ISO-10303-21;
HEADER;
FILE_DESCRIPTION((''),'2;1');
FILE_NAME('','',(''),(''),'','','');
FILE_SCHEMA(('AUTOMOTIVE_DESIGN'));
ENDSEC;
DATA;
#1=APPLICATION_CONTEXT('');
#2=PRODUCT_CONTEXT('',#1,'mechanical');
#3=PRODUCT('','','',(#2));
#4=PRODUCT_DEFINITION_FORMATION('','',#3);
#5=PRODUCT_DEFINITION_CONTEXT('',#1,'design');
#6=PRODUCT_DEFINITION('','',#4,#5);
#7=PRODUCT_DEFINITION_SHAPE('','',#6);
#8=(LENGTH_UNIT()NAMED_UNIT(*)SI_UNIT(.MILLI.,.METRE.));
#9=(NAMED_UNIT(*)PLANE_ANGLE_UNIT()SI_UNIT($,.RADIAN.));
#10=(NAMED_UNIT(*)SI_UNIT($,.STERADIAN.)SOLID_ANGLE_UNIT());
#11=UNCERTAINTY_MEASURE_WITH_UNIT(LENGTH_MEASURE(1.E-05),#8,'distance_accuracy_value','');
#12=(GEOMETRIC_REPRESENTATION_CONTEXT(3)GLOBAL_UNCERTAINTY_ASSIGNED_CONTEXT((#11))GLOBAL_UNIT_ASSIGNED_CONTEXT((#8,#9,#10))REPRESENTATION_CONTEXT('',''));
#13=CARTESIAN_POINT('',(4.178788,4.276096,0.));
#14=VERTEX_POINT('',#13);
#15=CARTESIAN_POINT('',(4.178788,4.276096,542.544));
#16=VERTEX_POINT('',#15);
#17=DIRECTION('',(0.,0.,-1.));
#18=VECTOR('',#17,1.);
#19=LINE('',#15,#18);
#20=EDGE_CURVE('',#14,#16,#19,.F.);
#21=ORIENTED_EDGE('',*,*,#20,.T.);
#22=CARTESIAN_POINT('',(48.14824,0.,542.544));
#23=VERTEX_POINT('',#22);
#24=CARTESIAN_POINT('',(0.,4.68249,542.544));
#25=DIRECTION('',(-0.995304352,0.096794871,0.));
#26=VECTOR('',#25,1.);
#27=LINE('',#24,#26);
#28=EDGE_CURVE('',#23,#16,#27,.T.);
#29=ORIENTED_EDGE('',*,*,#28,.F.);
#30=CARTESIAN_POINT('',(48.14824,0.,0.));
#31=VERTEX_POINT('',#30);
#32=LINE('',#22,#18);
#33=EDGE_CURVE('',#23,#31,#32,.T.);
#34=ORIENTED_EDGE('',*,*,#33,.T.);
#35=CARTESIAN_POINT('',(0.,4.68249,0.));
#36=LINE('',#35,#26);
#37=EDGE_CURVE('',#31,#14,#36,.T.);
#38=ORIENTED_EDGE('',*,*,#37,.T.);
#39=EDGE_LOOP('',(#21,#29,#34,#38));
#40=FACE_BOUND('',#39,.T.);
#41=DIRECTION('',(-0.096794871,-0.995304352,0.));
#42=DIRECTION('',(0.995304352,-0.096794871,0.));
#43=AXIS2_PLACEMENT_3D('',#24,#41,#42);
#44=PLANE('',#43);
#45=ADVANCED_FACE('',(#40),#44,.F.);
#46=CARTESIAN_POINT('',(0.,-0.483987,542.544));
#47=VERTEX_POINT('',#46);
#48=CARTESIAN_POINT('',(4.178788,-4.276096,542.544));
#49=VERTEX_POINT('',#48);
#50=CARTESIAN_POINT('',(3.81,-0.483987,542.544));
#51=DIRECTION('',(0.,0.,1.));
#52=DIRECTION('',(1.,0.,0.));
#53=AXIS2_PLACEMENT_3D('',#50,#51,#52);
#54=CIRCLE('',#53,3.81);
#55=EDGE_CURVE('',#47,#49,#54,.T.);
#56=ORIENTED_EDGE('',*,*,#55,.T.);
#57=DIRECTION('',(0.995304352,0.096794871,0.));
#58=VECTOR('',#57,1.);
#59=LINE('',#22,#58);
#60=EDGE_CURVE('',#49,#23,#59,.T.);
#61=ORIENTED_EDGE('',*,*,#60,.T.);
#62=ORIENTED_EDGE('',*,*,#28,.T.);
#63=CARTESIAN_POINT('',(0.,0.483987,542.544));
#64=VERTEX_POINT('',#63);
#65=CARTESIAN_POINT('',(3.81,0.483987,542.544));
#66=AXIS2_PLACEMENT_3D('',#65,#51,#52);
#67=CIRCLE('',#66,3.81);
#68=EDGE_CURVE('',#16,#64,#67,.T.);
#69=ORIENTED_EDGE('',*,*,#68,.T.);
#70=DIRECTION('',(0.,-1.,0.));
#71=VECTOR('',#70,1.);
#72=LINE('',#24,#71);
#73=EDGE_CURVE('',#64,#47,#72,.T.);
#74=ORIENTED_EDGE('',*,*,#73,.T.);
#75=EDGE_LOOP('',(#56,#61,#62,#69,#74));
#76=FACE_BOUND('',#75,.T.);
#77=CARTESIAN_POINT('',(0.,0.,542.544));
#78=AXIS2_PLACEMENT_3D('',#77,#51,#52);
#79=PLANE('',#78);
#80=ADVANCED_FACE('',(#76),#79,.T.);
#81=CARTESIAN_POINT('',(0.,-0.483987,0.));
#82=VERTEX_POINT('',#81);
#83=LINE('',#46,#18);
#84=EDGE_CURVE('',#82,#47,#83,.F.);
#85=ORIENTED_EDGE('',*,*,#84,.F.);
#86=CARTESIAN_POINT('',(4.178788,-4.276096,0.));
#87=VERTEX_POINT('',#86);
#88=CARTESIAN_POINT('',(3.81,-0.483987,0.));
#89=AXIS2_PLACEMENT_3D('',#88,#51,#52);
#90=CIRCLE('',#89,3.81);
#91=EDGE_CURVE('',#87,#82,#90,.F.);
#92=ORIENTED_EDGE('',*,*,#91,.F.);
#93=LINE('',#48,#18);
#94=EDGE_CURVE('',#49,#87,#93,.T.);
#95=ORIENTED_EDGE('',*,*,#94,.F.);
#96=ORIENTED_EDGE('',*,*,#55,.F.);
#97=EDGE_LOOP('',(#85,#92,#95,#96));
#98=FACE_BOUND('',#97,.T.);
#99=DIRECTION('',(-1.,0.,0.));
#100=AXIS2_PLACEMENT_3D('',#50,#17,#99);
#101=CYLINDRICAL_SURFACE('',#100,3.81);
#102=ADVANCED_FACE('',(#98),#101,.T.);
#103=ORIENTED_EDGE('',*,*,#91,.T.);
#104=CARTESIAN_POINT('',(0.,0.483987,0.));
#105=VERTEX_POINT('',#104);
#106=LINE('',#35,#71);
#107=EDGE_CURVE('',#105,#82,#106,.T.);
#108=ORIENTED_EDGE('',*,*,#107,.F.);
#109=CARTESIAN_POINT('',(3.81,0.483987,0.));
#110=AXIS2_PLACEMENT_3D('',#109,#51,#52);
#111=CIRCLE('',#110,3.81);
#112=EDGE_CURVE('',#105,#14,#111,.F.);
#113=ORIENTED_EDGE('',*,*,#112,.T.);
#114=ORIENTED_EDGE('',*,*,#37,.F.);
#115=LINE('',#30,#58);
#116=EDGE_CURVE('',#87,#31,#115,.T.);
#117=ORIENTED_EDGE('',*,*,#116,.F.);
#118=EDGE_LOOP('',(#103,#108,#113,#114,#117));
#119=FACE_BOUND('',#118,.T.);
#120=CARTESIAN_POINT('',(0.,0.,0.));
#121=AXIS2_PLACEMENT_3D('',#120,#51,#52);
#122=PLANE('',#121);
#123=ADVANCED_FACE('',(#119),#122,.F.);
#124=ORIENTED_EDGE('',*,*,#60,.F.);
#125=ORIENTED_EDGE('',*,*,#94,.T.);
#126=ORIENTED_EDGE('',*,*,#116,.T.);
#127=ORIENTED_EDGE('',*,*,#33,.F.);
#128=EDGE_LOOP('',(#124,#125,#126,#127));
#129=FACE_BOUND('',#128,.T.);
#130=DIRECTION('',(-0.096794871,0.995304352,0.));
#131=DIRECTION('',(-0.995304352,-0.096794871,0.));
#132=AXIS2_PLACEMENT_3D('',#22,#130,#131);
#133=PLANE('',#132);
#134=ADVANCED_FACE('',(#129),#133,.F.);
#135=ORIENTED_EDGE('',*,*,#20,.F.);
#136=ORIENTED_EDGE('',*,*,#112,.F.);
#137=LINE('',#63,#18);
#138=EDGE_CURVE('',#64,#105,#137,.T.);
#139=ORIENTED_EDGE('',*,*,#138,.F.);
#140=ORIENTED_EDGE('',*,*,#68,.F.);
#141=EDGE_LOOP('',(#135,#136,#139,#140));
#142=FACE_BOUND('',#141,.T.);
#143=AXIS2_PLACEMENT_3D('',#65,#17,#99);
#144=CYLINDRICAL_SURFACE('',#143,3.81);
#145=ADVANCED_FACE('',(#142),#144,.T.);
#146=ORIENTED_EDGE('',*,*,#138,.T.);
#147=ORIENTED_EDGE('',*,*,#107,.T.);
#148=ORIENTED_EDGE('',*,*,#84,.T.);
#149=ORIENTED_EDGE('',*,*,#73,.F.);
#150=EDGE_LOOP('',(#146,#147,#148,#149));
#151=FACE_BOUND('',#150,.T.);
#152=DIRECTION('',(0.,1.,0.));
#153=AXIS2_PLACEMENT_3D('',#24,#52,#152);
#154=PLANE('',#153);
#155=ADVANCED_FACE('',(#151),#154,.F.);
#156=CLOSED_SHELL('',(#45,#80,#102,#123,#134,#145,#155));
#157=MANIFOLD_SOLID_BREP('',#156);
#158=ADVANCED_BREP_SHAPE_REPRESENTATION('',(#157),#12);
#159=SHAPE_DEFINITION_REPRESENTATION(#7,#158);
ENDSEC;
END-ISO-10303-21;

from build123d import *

# Parameters (mm, degrees)
BOSS_EXTRUDE1_DEPTH = 542.544
FILLET1_R           = 3.81


with BuildPart() as part:
    # Sketch1 → Boss-Extrude1 (new body)
    with BuildSketch(Plane.XY):
        Polygon((0, 4.68249), (0, -4.68249), (48.14824, 0), align=None)
    extrude(amount=BOSS_EXTRUDE1_DEPTH)

    # Fillet1
    fillet1_edges = [part.edges().sort_by_distance(p)[0] for p in [
        (0, -4.68249, 271.272),
        (0, 4.68249, 271.272),
    ]]
    fillet(fillet1_edges, radius=FILLET1_R)


solid = part.part
